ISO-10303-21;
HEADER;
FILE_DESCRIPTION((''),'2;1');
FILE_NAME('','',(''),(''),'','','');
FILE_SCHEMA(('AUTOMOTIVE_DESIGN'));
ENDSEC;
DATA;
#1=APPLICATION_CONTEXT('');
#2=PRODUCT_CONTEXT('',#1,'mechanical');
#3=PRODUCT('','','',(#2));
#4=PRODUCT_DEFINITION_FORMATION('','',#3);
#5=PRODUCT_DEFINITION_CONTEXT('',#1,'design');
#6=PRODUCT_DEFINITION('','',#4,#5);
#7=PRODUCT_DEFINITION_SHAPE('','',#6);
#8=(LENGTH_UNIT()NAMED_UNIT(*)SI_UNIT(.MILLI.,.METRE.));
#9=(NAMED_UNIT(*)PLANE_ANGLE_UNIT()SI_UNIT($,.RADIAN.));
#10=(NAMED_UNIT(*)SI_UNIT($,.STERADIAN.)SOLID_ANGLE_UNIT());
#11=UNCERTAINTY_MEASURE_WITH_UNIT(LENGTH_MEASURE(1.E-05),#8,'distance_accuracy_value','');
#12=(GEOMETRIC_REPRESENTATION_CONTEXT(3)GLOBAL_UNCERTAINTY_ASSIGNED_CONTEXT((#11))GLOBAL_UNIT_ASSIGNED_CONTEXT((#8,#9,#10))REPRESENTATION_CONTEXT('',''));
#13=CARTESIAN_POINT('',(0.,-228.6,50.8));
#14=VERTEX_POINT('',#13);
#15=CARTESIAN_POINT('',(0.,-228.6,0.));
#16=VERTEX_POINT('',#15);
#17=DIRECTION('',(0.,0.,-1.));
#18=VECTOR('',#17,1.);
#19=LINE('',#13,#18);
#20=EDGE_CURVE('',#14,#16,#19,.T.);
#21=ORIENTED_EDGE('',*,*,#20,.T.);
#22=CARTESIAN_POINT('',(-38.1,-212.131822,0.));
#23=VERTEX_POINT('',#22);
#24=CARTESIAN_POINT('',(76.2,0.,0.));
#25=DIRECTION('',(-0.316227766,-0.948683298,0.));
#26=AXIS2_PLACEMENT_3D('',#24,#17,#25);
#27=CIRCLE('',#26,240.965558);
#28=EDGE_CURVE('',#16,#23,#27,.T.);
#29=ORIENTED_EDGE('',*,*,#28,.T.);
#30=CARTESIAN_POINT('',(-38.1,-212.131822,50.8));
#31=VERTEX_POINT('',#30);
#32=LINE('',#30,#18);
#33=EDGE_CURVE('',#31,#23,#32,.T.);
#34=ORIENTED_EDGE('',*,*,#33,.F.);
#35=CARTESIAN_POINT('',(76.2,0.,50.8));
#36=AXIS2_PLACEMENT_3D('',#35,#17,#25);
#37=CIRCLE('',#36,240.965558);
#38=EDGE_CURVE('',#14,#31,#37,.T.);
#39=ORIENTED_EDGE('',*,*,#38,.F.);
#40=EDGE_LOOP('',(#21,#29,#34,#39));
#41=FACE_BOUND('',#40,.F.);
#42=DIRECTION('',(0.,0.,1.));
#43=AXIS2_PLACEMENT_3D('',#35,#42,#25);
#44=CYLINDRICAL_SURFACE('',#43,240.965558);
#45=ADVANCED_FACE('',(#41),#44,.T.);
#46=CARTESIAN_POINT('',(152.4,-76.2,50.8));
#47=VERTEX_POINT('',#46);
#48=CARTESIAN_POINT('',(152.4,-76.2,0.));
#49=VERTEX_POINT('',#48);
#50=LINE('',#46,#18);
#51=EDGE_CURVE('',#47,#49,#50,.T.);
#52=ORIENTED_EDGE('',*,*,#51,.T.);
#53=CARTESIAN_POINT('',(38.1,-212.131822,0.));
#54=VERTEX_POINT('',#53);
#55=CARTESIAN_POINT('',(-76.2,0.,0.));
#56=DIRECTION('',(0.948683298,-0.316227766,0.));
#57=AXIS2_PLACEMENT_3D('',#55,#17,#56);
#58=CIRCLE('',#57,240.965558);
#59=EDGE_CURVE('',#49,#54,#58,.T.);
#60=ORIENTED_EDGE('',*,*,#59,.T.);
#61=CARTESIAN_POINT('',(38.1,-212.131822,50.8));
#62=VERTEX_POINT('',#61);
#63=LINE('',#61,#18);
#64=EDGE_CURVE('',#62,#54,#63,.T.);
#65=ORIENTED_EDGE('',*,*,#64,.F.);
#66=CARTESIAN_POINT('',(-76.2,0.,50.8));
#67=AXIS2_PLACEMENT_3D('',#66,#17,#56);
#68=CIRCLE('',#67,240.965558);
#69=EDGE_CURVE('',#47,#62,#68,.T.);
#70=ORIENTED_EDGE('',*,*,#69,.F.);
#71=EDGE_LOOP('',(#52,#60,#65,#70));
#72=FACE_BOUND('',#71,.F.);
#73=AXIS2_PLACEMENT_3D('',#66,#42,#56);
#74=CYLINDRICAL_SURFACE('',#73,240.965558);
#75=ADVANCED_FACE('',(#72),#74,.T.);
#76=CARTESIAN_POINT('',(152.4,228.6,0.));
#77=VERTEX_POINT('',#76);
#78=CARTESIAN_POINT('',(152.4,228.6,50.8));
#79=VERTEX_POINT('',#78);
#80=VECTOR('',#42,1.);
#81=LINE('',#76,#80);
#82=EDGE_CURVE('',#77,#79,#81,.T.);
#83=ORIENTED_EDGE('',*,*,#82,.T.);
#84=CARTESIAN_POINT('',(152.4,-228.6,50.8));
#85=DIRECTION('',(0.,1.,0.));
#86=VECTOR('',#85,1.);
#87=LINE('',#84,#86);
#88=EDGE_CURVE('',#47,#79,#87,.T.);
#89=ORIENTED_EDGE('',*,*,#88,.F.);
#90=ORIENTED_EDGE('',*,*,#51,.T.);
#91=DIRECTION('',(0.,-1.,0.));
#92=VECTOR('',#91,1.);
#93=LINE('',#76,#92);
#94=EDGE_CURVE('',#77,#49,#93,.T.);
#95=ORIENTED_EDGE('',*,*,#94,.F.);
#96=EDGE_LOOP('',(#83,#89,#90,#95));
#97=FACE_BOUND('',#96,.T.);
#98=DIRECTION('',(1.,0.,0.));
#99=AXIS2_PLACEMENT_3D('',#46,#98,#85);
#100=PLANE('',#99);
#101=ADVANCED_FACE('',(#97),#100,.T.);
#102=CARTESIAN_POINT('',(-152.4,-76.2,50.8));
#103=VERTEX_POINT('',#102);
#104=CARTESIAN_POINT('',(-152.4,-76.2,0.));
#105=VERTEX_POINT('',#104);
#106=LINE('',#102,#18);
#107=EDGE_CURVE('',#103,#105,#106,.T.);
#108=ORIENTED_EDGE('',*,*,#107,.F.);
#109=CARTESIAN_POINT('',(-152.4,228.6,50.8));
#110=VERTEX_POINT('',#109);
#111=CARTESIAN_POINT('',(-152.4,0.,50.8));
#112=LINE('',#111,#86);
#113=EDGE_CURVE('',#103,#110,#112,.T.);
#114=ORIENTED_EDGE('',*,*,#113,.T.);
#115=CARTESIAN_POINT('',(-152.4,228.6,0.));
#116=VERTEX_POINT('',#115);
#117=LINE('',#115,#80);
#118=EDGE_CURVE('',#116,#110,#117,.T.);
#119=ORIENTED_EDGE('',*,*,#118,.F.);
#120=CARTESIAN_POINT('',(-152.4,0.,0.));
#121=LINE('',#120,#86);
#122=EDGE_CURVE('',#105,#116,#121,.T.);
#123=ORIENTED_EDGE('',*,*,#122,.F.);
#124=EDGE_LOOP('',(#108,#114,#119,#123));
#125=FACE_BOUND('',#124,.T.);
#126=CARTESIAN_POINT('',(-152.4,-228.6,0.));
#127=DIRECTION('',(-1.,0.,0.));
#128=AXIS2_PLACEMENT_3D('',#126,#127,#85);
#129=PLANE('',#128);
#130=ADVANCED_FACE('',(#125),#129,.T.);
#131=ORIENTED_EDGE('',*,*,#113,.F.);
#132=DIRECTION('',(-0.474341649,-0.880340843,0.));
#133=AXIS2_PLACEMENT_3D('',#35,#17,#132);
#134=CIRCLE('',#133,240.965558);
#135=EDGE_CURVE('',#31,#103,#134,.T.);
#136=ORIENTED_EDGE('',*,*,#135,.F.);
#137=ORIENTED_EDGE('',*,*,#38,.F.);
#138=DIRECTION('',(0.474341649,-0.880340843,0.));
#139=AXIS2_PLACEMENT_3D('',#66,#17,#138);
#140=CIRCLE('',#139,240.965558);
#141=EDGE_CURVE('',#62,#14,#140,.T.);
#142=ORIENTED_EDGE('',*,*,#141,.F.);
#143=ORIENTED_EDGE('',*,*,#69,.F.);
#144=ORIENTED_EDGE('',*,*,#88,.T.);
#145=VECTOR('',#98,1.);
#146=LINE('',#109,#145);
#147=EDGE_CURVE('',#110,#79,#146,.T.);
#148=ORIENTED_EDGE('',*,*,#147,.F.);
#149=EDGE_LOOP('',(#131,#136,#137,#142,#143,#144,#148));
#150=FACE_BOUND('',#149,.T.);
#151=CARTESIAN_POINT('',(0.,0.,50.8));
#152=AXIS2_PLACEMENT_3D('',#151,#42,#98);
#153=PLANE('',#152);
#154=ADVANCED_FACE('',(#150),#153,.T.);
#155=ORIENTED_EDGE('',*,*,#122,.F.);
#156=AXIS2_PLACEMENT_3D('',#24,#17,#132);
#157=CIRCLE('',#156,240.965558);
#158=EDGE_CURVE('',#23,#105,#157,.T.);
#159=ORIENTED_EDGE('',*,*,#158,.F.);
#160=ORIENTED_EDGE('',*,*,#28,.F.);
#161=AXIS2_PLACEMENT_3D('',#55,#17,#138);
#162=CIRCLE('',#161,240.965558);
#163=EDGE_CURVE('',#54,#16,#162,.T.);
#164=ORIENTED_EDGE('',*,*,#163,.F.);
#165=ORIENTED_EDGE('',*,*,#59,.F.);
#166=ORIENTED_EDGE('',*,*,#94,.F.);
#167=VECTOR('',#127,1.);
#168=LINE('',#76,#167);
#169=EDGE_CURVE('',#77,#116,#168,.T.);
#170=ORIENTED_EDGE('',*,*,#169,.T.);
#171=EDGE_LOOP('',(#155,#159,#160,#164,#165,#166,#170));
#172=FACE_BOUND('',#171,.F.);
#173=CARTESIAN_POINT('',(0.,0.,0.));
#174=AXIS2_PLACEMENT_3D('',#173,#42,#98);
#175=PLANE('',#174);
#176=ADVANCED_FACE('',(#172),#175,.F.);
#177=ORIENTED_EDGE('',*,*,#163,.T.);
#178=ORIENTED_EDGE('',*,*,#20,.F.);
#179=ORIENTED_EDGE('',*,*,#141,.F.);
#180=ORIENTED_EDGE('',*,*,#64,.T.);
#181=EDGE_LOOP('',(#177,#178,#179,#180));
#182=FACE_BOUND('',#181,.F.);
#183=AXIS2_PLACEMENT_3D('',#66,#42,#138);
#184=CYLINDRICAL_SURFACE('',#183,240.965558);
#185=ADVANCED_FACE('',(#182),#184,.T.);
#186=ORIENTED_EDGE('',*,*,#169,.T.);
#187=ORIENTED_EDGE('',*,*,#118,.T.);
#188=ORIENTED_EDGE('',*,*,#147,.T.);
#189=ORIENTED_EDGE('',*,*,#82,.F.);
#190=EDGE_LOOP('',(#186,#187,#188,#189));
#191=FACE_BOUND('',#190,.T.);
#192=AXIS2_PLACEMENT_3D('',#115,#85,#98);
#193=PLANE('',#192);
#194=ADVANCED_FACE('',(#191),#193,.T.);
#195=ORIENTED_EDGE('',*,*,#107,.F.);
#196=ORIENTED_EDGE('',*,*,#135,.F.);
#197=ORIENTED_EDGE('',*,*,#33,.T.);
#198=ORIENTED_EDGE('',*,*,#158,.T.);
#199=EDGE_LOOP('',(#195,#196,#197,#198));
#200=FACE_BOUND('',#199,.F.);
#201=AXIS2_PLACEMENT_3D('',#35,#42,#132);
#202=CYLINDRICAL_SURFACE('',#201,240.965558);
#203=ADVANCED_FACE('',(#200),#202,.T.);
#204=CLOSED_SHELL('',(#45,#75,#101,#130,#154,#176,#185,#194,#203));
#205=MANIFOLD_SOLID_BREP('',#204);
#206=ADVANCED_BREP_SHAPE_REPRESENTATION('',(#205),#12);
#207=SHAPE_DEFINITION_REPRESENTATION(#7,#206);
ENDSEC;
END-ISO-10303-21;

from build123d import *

# Parameters (mm, degrees)
F0_W     = 304.8
F0_H     = 457.2
F1_DEPTH = 50.8
F2_W     = 76.2
F2_H     = 75.8903771639
F2_H_2   = 75.2589152813
F3_DEPTH = 50.8
F4_DEPTH = 50.8
F5_DEPTH = 50.8
F6_DEPTH = 50.8


with BuildPart() as f1:
    # F0 (on Top) → F1 (new body)
    with BuildSketch(Plane.XY):
        Rectangle(F0_W, F0_H)
    extrude(amount=F1_DEPTH)

    # F2 (on face) → F3 (join)
    with BuildSketch(Plane.XY.offset(50.8)):
        Polygon((-38.1, 0), (0, 0), (38.1, 0), (38.1, 77.4507075548), (-38.1, 77.4507075548), align=None)
        with BuildLine():
            Line((38.1, 0), (0, 0))
            Line((0, 0), (-38.1, 0))
            Line((-38.1, 0), (-38.1, -212.1318222238))
            ThreePointArc((-38.1, -212.1318222238), (-19.4052442067, -221.1877873667), (0, -228.6))
            ThreePointArc((0, -228.6), (19.4052442067, -221.1877873667), (38.1, -212.1318222238))
            Line((38.1, -212.1318222238), (38.1, 0))
        make_face()
        with Locations((0, 115.3958961368)):
            Rectangle(F2_W, F2_H)
        with BuildLine():
            Line((38.1, -228.6), (38.1, -212.1318222238))
            ThreePointArc((38.1, -212.1318222238), (19.4052442067, -221.1877873667), (0, -228.6))
            Line((0, -228.6), (38.1, -228.6))
        make_face()
        with BuildLine():
            ThreePointArc((0, -228.6), (-19.4052442067, -221.1877873667), (-38.1, -212.1318222238))
            Line((-38.1, -212.1318222238), (-38.1, -228.6))
            Line((-38.1, -228.6), (0, -228.6))
        make_face()
        with Locations((0, 190.9705423594)):
            Rectangle(F2_W, F2_H_2)
        with BuildLine():
            Line((76.2, 0), (38.1, 0))
            Line((38.1, 0), (38.1, -212.1318222238))
            ThreePointArc((38.1, -212.1318222238), (108.2301156896, -155.0804063276), (152.4, -76.2))
            Line((152.4, -76.2), (152.4, 0))
            Line((152.4, 0), (76.2, 0))
        make_face()
    extrude(amount=-F3_DEPTH)

    # F2 (on face) → F4 (cut)
    with BuildSketch(Plane.XY.offset(50.8)):
        with BuildLine():
            ThreePointArc((0, -228.6), (-19.4052442067, -221.1877873667), (-38.1, -212.1318222238))
            Line((-38.1, -212.1318222238), (-38.1, -228.6))
            Line((-38.1, -228.6), (0, -228.6))
        make_face()
        with BuildLine():
            Line((-38.1, -228.6), (-38.1, -212.1318222238))
            ThreePointArc((-38.1, -212.1318222238), (-108.2301156896, -155.0804063276), (-152.4, -76.2))
            Line((-152.4, -76.2), (-152.4, -228.6))
            Line((-152.4, -228.6), (-38.1, -228.6))
        make_face()
    extrude(amount=-F4_DEPTH, mode=Mode.SUBTRACT)

    # F2 (on face) → F5 (cut)
    with BuildSketch(Plane.XY.offset(50.8)):
        with BuildLine():
            Line((38.1, -228.6), (38.1, -212.1318222238))
            ThreePointArc((38.1, -212.1318222238), (19.4052442067, -221.1877873667), (0, -228.6))
            Line((0, -228.6), (38.1, -228.6))
        make_face()
        with BuildLine():
            ThreePointArc((152.4, -76.2), (108.2301156896, -155.0804063276), (38.1, -212.1318222238))
            Line((38.1, -212.1318222238), (38.1, -228.6))
            Line((38.1, -228.6), (152.4, -228.6))
            Line((152.4, -228.6), (152.4, -76.2))
        make_face()
    extrude(amount=-F5_DEPTH, mode=Mode.SUBTRACT)

    # F2 (on face) → F6 (cut)
    with BuildSketch(Plane.XY.offset(50.8)):
        with BuildLine():
            Line((-38.1, -228.6), (-38.1, -212.1318222238))
            ThreePointArc((-38.1, -212.1318222238), (-108.2301156896, -155.0804063276), (-152.4, -76.2))
            Line((-152.4, -76.2), (-152.4, -228.6))
            Line((-152.4, -228.6), (-38.1, -228.6))
        make_face()
        with BuildLine():
            ThreePointArc((152.4, -76.2), (108.2301156896, -155.0804063276), (38.1, -212.1318222238))
            Line((38.1, -212.1318222238), (38.1, -228.6))
            Line((38.1, -228.6), (152.4, -228.6))
            Line((152.4, -228.6), (152.4, -76.2))
        make_face()
    extrude(amount=-F6_DEPTH, mode=Mode.SUBTRACT)


solid = f1.part
